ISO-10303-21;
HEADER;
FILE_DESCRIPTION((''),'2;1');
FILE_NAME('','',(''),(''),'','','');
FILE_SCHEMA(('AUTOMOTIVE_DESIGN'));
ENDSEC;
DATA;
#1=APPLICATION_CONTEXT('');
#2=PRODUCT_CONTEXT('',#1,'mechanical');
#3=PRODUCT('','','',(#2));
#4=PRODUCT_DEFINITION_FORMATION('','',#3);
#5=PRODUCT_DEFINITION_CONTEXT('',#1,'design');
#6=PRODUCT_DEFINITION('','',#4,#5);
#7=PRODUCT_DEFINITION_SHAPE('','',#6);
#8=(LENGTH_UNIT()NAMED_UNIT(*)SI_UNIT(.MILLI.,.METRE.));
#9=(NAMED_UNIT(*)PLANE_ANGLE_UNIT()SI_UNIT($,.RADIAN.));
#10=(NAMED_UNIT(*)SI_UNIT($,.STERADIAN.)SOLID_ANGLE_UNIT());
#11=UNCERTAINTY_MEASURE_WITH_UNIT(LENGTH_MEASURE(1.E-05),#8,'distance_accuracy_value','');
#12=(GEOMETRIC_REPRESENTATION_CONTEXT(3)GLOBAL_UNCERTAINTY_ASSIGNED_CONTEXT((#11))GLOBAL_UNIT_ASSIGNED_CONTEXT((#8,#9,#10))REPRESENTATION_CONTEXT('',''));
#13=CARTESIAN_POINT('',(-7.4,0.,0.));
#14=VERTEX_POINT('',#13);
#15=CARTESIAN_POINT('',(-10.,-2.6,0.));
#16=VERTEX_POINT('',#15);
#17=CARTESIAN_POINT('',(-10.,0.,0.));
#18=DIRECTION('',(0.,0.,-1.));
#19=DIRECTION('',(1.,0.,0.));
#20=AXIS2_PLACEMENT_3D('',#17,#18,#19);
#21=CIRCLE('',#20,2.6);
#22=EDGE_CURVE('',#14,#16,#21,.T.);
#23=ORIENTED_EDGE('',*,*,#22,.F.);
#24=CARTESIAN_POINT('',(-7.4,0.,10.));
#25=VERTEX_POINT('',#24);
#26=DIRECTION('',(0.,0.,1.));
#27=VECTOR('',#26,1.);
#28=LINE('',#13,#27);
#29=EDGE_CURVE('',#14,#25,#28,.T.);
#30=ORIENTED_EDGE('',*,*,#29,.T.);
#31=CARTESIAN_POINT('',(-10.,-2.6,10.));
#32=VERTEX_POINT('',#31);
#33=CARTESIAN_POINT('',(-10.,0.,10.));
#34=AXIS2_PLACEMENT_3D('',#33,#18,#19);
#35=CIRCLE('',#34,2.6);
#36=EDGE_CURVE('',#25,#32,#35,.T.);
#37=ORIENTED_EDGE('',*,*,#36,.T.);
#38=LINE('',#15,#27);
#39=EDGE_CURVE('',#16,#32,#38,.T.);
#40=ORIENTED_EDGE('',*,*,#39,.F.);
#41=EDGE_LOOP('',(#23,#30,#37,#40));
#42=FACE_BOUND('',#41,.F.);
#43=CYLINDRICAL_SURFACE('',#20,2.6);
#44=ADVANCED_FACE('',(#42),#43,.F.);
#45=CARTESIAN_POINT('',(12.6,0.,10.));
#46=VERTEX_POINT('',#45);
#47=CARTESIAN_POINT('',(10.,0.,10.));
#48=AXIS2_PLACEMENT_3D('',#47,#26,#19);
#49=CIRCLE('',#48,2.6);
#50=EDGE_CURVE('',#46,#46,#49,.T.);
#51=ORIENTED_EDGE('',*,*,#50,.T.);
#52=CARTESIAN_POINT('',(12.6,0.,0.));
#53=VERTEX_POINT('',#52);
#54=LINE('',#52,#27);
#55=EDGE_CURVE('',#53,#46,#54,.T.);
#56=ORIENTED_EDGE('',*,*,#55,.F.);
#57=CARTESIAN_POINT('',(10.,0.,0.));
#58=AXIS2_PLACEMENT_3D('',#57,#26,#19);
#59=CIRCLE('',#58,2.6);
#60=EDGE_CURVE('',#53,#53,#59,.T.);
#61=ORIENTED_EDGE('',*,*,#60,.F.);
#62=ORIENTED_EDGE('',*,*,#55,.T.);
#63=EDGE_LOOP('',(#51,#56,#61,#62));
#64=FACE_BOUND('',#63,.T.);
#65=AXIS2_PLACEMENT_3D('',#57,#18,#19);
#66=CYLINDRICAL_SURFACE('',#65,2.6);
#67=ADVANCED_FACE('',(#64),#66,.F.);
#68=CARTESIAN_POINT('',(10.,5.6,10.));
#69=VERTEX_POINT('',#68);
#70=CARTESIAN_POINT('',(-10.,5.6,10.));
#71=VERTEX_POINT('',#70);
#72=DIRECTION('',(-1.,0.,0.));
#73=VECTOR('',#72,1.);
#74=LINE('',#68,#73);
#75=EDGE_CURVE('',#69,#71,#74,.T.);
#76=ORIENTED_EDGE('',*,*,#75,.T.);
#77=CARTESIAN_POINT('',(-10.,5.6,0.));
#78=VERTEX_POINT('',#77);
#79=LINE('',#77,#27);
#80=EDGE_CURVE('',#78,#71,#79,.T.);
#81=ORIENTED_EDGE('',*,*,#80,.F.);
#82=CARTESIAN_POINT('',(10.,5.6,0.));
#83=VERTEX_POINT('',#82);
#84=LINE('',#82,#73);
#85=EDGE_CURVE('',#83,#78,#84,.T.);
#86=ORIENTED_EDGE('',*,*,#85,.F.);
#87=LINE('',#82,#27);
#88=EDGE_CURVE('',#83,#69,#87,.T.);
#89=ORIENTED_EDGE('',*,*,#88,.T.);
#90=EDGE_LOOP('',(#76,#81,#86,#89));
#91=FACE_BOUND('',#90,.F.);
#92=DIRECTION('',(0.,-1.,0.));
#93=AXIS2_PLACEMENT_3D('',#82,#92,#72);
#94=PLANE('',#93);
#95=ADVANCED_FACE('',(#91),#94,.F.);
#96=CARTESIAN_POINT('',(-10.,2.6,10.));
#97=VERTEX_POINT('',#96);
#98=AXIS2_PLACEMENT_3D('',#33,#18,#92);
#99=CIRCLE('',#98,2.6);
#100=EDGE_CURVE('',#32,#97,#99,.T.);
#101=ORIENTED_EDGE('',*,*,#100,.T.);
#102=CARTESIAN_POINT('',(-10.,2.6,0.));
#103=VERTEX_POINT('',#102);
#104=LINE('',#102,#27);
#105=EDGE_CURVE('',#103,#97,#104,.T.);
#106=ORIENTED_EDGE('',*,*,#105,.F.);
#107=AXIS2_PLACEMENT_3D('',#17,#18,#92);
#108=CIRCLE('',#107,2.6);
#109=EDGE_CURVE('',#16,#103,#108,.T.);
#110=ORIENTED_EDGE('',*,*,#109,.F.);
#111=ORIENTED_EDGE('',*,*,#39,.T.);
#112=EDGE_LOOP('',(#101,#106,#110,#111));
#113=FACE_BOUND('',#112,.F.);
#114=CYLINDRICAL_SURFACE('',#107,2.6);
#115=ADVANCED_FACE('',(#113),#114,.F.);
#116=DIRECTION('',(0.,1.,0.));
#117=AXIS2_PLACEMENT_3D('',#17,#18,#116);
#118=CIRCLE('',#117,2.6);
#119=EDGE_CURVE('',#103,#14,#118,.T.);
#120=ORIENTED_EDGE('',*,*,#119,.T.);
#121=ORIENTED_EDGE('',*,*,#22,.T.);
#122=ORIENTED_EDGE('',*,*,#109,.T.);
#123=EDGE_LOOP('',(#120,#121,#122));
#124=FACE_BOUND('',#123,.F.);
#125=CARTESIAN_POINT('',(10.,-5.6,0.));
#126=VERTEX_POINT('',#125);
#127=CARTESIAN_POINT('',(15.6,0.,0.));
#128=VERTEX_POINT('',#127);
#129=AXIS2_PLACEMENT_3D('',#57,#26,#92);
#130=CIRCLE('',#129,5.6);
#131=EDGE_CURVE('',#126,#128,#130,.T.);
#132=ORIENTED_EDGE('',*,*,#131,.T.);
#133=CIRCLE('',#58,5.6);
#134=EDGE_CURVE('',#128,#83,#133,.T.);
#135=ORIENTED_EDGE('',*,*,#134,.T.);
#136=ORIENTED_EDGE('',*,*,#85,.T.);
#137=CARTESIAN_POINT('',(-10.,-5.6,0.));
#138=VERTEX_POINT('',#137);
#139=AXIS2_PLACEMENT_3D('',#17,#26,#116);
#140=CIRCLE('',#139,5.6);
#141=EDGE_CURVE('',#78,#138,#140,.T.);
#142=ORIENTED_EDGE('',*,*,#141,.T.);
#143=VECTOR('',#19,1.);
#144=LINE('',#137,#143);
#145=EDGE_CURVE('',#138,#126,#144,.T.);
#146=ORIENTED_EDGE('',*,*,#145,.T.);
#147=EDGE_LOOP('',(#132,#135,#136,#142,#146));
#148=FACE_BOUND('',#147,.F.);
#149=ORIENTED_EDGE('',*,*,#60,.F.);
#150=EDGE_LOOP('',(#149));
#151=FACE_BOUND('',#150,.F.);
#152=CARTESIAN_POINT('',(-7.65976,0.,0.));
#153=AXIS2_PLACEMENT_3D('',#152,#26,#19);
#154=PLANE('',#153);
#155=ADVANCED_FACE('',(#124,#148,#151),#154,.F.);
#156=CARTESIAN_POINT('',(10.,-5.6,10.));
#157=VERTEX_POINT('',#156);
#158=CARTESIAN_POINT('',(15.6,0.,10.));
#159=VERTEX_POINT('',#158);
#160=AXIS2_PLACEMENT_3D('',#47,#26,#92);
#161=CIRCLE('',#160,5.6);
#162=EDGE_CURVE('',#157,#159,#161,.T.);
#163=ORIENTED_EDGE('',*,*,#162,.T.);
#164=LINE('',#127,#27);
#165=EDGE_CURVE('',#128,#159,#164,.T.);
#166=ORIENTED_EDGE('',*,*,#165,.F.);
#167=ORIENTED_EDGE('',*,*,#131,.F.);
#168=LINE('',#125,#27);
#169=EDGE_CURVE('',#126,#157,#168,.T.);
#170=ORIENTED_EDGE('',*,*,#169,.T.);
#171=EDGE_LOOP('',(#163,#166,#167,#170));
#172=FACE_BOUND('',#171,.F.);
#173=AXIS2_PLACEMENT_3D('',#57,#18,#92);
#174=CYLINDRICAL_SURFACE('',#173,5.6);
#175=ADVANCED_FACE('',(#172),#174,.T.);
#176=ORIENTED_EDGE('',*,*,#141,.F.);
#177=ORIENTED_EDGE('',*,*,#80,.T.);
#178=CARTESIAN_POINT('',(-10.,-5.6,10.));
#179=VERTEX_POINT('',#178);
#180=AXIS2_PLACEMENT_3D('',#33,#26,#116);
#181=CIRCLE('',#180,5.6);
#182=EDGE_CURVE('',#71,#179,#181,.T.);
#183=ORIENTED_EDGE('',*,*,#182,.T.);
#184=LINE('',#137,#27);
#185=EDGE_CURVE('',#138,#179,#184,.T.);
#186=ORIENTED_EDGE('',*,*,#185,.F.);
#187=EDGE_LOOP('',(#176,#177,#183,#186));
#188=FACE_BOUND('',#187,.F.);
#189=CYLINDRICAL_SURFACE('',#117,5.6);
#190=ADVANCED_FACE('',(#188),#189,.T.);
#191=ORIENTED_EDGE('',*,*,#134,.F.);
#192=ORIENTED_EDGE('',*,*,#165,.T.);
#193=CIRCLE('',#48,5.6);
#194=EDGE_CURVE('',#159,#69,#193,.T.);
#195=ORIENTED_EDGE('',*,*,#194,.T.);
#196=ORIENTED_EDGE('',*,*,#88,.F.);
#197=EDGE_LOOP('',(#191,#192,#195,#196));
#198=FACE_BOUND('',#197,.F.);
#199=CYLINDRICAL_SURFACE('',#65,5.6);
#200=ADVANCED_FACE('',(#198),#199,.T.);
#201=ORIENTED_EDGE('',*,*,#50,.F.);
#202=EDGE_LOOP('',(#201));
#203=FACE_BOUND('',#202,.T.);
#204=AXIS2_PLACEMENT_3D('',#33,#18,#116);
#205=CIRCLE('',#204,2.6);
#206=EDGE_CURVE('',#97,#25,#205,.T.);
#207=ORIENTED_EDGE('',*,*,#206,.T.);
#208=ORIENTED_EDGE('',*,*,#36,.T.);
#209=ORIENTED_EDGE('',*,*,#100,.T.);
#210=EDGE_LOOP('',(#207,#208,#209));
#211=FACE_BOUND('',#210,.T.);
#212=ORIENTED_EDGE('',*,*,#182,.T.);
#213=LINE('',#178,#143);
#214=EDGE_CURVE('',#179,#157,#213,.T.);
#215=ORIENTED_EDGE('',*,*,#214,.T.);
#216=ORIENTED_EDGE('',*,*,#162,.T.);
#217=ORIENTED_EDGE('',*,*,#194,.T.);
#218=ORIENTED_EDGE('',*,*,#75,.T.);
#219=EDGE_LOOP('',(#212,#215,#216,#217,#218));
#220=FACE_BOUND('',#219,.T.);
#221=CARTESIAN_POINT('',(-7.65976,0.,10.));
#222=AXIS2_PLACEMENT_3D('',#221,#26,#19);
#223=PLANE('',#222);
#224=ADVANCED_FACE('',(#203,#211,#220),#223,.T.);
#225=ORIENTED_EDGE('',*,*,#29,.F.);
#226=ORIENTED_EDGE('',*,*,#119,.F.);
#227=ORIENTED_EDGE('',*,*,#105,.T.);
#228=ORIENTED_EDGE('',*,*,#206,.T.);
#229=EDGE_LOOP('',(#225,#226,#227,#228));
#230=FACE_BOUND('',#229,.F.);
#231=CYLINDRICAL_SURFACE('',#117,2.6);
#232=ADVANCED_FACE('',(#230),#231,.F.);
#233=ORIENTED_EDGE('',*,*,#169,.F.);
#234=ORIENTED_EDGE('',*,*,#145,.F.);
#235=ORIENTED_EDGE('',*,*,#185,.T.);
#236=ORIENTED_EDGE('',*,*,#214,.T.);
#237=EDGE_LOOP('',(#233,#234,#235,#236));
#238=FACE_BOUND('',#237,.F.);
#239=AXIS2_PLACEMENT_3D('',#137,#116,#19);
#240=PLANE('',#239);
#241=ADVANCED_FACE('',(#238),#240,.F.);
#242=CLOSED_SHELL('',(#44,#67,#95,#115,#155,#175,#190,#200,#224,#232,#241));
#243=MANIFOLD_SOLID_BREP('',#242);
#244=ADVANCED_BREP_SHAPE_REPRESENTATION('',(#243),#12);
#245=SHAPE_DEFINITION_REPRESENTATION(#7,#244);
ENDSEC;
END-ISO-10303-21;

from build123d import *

# Parameters (mm, degrees)
F1_R     = 2.6
F2_DEPTH = 10


with BuildPart() as f2:
    # F1 (on Top) → F2 (new body)
    with BuildSketch(Plane.XY):
        with BuildLine():
            ThreePointArc((-10, -5.6), (-6.0402020254, -3.9597979746), (-4.4, 0))
            ThreePointArc((-4.4, 0), (-6.0402020254, 3.9597979746), (-10, 5.6))
            Line((-10, 5.6), (-10, 2.6))
            ThreePointArc((-10, 2.6), (-8.1615223689, 1.8384776311), (-7.4, 0))
            ThreePointArc((-7.4, 0), (-8.1615223689, -1.8384776311), (-10, -2.6))
            Line((-10, -2.6), (-10, -5.6))
        make_face()
        with BuildLine():
            Line((-10, 2.6), (-10, 5.6))
            ThreePointArc((-10, 5.6), (-15.6, 0), (-10, -5.6))
            Line((-10, -5.6), (-10, -2.6))
            ThreePointArc((-10, -2.6), (-12.6, 0), (-10, 2.6))
        make_face()
        with BuildLine():
            ThreePointArc((-10, 5.6), (-6.0402020254, 3.9597979746), (-4.4, 0))
            ThreePointArc((-4.4, 0), (-6.0402020254, -3.9597979746), (-10, -5.6))
            Line((-10, -5.6), (0, -5.6))
            Line((0, -5.6), (0, 0))
            Line((0, 0), (0, 5.6))
            Line((0, 5.6), (-10, 5.6))
        make_face()
        with BuildLine():
            Line((10, 5.6), (0, 5.6))
            Line((0, 5.6), (0, 0))
            Line((0, 0), (0, -5.6))
            Line((0, -5.6), (10, -5.6))
            ThreePointArc((10, -5.6), (4.4, 0), (10, 5.6))
        make_face()
        with BuildLine():
            ThreePointArc((15.6, 0), (13.9597979746, 3.9597979746), (10, 5.6))
            ThreePointArc((10, 5.6), (4.4, 0), (10, -5.6))
            ThreePointArc((10, -5.6), (13.9597979746, -3.9597979746), (15.6, 0))
        make_face()
        with Locations((10, 0)):
            Circle(F1_R, mode=Mode.SUBTRACT)
    extrude(amount=F2_DEPTH)


solid = f2.part
